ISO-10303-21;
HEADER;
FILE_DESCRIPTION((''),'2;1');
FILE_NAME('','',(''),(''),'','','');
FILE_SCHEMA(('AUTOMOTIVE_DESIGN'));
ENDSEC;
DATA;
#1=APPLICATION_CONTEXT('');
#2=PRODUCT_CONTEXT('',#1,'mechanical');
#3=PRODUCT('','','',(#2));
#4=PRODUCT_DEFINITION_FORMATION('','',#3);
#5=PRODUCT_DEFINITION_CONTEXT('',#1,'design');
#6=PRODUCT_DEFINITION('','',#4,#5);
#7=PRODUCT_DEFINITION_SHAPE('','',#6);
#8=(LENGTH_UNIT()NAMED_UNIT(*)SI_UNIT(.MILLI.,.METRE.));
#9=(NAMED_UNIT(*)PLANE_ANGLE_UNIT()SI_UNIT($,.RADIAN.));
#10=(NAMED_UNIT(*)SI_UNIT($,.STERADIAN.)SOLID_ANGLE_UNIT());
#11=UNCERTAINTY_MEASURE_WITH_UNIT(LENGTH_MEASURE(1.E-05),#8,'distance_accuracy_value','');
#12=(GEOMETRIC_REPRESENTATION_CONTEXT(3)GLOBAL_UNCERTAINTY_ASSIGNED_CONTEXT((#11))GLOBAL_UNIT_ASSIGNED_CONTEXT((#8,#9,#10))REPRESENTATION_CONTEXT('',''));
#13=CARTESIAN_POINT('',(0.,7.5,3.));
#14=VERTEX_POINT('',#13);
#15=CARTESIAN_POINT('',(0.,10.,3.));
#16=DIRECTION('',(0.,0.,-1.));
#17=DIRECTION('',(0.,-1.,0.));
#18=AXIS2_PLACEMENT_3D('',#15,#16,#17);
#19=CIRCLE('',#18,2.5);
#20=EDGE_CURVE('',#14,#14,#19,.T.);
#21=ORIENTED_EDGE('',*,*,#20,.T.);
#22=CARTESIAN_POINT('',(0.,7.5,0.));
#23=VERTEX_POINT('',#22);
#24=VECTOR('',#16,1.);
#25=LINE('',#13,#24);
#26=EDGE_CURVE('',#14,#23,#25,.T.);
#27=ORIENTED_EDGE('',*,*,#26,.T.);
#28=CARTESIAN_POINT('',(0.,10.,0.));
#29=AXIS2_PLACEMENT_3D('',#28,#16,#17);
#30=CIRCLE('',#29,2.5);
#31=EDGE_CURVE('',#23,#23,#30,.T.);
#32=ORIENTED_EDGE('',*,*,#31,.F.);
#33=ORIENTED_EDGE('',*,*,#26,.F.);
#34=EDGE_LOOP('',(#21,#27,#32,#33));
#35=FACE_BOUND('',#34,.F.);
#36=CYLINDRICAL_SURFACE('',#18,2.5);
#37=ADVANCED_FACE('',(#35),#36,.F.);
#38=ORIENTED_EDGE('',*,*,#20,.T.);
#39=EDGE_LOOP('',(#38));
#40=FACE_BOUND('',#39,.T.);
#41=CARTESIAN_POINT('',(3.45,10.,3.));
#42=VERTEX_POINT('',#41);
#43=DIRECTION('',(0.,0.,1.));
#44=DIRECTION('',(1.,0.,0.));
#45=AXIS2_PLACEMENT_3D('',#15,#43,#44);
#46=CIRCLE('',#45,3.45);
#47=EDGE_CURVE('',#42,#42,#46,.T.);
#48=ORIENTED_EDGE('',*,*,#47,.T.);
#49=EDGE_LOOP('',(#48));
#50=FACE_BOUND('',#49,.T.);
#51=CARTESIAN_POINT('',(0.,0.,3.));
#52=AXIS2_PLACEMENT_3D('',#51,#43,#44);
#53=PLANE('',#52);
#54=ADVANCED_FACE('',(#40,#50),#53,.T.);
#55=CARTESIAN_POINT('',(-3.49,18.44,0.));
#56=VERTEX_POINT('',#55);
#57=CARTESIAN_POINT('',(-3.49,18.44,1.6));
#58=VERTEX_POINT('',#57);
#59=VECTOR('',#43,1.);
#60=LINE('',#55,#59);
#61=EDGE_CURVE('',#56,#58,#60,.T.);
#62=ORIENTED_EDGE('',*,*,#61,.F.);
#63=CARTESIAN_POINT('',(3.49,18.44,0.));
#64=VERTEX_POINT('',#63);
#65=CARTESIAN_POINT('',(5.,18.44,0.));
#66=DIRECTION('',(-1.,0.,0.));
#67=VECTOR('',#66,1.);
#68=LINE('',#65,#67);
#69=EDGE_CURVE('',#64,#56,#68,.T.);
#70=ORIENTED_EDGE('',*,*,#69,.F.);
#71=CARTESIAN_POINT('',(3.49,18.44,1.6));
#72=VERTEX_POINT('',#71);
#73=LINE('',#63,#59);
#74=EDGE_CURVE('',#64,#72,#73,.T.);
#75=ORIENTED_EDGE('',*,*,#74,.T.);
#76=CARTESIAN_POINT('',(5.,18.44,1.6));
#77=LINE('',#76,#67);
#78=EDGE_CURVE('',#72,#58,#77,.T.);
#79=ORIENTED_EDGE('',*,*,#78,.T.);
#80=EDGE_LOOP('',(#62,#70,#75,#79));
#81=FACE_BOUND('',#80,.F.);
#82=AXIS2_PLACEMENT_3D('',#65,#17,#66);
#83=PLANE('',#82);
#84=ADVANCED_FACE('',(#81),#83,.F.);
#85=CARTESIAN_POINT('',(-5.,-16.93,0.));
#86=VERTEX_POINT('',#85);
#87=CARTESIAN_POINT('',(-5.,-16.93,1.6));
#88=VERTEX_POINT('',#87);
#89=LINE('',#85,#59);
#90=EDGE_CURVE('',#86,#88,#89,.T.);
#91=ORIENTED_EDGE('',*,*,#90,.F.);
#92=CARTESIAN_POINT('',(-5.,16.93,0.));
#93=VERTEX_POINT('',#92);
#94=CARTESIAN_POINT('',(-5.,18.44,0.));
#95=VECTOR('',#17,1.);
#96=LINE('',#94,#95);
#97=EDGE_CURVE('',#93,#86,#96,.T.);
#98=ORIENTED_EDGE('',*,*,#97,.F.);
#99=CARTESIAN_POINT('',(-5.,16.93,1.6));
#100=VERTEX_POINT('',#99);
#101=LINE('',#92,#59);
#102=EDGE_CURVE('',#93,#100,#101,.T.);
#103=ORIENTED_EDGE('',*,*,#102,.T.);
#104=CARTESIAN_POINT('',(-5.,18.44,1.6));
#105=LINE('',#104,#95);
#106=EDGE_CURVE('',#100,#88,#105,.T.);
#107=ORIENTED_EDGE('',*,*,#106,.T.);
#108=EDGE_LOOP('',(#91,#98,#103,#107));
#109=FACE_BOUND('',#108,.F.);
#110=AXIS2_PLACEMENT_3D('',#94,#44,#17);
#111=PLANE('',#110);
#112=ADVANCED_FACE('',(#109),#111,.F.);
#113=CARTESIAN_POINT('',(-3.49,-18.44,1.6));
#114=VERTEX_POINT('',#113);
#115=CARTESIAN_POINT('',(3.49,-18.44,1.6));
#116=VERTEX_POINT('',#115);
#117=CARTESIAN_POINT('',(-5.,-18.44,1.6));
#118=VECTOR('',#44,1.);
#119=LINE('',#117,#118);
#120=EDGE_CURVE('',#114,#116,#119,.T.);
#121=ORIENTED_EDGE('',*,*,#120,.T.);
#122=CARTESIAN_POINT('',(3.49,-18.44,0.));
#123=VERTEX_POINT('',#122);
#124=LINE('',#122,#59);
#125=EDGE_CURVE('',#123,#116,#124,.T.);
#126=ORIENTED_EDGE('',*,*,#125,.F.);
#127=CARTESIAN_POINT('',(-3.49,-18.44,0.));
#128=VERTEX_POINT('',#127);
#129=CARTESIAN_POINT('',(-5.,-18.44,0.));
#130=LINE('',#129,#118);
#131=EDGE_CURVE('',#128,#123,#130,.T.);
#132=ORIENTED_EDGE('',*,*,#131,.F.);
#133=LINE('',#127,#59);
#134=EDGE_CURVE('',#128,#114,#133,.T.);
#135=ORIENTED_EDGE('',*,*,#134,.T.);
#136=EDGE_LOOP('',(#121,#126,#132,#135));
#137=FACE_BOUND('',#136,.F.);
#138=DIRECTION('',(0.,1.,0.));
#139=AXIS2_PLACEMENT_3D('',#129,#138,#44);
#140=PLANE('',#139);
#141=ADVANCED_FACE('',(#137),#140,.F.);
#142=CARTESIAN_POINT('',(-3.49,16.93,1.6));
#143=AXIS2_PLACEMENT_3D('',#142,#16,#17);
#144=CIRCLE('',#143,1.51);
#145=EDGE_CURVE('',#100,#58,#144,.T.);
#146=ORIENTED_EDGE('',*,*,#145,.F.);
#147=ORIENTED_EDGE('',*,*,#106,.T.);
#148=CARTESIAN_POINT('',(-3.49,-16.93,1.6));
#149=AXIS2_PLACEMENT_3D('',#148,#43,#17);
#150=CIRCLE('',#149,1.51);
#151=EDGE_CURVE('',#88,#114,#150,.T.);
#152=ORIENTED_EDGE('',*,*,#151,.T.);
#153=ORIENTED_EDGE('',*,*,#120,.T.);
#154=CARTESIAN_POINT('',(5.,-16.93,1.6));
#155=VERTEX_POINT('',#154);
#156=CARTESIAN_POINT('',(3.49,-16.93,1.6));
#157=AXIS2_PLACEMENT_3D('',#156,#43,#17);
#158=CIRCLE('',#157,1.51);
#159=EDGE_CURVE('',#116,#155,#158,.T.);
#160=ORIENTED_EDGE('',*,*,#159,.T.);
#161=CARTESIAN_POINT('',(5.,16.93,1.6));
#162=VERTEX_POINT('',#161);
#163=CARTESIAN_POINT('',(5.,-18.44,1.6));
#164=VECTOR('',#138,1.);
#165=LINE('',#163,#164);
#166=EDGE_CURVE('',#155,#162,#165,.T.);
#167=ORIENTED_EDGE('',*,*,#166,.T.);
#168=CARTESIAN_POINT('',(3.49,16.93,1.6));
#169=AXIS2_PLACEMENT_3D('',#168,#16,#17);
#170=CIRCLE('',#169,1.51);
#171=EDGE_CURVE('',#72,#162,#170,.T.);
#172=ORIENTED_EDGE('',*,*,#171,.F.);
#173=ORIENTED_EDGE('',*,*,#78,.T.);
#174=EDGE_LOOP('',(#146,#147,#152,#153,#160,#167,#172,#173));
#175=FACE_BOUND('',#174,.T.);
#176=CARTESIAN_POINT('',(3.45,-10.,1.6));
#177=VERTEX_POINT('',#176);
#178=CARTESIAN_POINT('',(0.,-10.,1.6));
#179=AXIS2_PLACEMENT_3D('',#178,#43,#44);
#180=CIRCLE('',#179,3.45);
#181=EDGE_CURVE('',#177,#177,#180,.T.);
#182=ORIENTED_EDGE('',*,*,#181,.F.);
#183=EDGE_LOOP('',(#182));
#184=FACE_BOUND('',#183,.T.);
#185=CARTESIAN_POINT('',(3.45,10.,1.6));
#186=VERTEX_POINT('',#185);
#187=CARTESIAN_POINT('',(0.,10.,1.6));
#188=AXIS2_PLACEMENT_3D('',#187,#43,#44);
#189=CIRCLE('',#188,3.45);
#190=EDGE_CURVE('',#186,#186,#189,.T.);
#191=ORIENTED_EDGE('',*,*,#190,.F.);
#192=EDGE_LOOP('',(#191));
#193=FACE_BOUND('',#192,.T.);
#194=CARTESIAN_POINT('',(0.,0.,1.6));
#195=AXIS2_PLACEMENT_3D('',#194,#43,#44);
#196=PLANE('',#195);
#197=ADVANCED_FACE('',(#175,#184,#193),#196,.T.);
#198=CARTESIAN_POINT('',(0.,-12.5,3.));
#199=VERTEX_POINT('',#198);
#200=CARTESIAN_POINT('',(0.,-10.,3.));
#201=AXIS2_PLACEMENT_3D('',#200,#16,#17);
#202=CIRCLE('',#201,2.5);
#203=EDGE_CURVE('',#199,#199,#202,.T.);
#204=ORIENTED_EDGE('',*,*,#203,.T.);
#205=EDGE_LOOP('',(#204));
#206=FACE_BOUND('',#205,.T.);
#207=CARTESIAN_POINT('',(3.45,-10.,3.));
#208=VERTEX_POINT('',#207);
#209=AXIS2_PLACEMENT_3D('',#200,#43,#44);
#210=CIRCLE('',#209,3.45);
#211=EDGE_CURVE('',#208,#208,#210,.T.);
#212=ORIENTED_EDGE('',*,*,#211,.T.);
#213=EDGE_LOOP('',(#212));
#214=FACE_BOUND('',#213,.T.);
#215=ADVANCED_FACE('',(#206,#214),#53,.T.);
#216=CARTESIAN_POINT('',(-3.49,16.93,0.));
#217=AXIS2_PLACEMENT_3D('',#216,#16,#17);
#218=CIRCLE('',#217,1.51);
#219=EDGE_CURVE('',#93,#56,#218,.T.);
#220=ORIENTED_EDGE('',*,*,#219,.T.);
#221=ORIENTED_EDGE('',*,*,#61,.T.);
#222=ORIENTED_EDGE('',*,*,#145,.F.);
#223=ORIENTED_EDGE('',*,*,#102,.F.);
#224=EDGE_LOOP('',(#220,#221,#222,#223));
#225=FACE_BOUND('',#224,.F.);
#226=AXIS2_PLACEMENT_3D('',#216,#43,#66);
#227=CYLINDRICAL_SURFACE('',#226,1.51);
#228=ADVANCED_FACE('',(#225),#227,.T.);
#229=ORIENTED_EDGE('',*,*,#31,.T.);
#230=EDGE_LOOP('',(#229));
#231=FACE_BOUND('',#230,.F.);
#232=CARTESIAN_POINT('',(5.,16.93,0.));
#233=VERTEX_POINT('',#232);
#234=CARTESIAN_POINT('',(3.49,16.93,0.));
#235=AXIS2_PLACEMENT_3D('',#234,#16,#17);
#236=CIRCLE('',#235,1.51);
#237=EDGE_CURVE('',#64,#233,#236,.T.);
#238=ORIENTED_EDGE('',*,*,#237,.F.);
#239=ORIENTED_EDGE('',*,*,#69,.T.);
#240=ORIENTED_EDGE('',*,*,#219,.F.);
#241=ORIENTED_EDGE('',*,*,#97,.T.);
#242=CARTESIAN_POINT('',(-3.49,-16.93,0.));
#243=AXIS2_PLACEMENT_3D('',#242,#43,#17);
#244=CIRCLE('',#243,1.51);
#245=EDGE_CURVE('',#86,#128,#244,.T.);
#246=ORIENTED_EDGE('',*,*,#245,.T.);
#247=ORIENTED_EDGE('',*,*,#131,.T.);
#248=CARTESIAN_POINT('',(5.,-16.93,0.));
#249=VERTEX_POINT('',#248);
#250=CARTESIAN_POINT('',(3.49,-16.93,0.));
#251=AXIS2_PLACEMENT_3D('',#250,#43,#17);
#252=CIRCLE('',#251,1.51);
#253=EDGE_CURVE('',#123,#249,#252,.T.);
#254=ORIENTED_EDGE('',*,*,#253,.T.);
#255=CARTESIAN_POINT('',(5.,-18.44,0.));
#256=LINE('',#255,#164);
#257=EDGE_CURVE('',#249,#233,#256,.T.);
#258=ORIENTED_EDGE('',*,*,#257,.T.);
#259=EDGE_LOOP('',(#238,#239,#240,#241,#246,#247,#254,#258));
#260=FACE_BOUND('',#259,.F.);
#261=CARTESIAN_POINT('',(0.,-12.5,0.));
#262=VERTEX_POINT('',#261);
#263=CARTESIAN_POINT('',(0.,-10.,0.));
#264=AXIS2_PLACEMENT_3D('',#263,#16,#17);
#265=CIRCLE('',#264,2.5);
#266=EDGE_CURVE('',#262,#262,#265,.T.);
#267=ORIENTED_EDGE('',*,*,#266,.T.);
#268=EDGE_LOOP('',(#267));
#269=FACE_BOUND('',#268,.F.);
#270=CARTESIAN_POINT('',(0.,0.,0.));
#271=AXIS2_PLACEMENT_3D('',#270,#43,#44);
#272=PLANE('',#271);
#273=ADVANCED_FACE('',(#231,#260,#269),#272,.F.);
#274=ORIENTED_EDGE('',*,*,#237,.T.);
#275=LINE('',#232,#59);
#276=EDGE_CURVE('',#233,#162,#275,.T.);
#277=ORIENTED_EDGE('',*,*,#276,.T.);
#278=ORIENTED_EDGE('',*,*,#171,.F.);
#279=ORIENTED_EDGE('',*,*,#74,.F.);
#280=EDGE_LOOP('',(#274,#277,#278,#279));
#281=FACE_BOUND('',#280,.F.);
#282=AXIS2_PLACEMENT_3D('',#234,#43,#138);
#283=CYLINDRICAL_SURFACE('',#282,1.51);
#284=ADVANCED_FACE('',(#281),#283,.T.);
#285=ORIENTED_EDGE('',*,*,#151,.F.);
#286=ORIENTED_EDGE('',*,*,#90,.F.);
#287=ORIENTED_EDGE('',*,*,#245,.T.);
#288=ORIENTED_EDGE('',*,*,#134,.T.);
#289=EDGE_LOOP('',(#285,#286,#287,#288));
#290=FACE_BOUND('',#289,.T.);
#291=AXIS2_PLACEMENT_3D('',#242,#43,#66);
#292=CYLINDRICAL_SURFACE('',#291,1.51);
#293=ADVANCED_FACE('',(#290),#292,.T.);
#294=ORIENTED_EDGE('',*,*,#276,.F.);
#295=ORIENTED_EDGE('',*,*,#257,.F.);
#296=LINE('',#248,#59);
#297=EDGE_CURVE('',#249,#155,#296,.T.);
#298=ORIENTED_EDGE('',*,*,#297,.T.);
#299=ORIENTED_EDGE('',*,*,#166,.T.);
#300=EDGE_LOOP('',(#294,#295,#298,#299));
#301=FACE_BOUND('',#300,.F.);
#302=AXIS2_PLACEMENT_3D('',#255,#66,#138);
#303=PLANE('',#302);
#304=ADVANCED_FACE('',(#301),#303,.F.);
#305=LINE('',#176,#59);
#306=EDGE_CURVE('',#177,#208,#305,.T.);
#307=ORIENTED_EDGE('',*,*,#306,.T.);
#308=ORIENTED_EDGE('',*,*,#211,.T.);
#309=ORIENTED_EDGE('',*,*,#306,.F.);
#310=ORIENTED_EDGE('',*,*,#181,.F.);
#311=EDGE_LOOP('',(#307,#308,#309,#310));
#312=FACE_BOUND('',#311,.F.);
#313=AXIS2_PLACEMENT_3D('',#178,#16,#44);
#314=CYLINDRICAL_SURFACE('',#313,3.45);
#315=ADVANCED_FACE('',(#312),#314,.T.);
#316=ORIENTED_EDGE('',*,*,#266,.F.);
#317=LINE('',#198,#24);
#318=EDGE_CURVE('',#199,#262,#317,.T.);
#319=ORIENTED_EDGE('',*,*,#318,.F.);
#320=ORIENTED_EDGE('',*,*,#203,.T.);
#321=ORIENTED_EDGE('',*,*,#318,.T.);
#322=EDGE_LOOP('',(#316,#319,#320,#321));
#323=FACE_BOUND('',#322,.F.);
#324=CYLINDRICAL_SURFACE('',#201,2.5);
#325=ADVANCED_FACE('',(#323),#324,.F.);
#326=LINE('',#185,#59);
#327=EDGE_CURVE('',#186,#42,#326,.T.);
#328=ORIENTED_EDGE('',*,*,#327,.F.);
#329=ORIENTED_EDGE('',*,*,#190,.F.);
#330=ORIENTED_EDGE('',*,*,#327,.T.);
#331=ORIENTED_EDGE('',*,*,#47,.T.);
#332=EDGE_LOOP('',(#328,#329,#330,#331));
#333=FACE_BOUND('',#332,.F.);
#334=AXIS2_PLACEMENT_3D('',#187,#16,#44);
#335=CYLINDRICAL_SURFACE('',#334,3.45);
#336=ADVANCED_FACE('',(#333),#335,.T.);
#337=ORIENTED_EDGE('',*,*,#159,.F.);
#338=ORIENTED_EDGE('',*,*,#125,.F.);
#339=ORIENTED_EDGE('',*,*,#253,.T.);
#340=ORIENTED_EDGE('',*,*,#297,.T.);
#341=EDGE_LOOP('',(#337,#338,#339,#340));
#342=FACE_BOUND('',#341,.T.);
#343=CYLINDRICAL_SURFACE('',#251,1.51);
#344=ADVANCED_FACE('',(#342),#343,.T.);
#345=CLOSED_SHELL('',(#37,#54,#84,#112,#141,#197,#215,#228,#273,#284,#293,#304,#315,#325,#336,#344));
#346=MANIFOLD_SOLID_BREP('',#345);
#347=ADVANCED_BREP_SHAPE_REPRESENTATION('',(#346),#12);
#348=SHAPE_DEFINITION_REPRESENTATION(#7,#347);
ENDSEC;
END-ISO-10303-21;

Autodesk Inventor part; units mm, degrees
ref_plane "YZ Plane" through (0, 0, 0) normal (1, 0, 0) x (0, 1, 0)
ref_plane "XZ Plane" through (0, 0, 0) normal (0, 1, 0) x (-1, 0, 0)
ref_plane "XY Plane" through (0, 0, 0) normal (0, 0, 1) x (1, 0, 0)
sketch "Sketch1" plane through (0, 0, 0) normal (0, 0, 1) x (1, 0, 0)
  line L0 (-5, -18.44) -> (5, -18.44)
  line L1 (5, -18.44) -> (5, 18.44)
  line L2 (5, 18.44) -> (-5, 18.44)
  line L3 (-5, 18.44) -> (-5, -18.44)
  line L4 (-5, -18.44) -> (5, 18.44) construction
  line L5 (5, -18.44) -> (-5, 18.44) construction
  point P0 (0, 0)
  dimension "d0" = 10
  dimension "d1" = 36.88
extrude "Extrusion1" add sketch "Sketch1" along normal blind 1.6
sketch "Sketch2" plane through (0, 0, 1.6) normal (0, 0, 1) x (1, 0, 0)
  line L0 (5, -18.44) -> (5, 18.44) projected
  line L1 (5, 18.44) -> (-5, 18.44) projected
  line L2 (-5, 18.44) -> (-5, -18.44) projected
  line L3 (-5, 0) -> (5, 0) construction
  circle A0 centre (0, 10) radius 3.45
  circle A1 centre (0, -10) radius 3.45
  point P0 (0, 0)
  dimension "d5" = 6.9
  dimension "d7" = 8.44
  dimension "d8" = 5
extrude "Extrusion2" add sketch "Sketch2" along normal blind 1.4
sketch "Sketch3" plane through (0, -10, 3) normal (0, 0, 1) x (1, 0, 0)
  circle A0 centre (0, 0) radius 3.45 projected
  circle A1 centre (0, 20) radius 3.45 projected
  point P0 (0, 10)
hole "Hole1" at (0, -10, 3) at (0, 10, 3) direction (0, 0, -1) diameter 5 end through all
fillet "Fillet1" radius 1.51 4 edges at (5, 18.44, 0.8) (-5, 18.44, 0.8) (-5, -18.44, 0.8) (5, -18.44, 0.8)
properties part number "Double T-Nut" material "Steel"
